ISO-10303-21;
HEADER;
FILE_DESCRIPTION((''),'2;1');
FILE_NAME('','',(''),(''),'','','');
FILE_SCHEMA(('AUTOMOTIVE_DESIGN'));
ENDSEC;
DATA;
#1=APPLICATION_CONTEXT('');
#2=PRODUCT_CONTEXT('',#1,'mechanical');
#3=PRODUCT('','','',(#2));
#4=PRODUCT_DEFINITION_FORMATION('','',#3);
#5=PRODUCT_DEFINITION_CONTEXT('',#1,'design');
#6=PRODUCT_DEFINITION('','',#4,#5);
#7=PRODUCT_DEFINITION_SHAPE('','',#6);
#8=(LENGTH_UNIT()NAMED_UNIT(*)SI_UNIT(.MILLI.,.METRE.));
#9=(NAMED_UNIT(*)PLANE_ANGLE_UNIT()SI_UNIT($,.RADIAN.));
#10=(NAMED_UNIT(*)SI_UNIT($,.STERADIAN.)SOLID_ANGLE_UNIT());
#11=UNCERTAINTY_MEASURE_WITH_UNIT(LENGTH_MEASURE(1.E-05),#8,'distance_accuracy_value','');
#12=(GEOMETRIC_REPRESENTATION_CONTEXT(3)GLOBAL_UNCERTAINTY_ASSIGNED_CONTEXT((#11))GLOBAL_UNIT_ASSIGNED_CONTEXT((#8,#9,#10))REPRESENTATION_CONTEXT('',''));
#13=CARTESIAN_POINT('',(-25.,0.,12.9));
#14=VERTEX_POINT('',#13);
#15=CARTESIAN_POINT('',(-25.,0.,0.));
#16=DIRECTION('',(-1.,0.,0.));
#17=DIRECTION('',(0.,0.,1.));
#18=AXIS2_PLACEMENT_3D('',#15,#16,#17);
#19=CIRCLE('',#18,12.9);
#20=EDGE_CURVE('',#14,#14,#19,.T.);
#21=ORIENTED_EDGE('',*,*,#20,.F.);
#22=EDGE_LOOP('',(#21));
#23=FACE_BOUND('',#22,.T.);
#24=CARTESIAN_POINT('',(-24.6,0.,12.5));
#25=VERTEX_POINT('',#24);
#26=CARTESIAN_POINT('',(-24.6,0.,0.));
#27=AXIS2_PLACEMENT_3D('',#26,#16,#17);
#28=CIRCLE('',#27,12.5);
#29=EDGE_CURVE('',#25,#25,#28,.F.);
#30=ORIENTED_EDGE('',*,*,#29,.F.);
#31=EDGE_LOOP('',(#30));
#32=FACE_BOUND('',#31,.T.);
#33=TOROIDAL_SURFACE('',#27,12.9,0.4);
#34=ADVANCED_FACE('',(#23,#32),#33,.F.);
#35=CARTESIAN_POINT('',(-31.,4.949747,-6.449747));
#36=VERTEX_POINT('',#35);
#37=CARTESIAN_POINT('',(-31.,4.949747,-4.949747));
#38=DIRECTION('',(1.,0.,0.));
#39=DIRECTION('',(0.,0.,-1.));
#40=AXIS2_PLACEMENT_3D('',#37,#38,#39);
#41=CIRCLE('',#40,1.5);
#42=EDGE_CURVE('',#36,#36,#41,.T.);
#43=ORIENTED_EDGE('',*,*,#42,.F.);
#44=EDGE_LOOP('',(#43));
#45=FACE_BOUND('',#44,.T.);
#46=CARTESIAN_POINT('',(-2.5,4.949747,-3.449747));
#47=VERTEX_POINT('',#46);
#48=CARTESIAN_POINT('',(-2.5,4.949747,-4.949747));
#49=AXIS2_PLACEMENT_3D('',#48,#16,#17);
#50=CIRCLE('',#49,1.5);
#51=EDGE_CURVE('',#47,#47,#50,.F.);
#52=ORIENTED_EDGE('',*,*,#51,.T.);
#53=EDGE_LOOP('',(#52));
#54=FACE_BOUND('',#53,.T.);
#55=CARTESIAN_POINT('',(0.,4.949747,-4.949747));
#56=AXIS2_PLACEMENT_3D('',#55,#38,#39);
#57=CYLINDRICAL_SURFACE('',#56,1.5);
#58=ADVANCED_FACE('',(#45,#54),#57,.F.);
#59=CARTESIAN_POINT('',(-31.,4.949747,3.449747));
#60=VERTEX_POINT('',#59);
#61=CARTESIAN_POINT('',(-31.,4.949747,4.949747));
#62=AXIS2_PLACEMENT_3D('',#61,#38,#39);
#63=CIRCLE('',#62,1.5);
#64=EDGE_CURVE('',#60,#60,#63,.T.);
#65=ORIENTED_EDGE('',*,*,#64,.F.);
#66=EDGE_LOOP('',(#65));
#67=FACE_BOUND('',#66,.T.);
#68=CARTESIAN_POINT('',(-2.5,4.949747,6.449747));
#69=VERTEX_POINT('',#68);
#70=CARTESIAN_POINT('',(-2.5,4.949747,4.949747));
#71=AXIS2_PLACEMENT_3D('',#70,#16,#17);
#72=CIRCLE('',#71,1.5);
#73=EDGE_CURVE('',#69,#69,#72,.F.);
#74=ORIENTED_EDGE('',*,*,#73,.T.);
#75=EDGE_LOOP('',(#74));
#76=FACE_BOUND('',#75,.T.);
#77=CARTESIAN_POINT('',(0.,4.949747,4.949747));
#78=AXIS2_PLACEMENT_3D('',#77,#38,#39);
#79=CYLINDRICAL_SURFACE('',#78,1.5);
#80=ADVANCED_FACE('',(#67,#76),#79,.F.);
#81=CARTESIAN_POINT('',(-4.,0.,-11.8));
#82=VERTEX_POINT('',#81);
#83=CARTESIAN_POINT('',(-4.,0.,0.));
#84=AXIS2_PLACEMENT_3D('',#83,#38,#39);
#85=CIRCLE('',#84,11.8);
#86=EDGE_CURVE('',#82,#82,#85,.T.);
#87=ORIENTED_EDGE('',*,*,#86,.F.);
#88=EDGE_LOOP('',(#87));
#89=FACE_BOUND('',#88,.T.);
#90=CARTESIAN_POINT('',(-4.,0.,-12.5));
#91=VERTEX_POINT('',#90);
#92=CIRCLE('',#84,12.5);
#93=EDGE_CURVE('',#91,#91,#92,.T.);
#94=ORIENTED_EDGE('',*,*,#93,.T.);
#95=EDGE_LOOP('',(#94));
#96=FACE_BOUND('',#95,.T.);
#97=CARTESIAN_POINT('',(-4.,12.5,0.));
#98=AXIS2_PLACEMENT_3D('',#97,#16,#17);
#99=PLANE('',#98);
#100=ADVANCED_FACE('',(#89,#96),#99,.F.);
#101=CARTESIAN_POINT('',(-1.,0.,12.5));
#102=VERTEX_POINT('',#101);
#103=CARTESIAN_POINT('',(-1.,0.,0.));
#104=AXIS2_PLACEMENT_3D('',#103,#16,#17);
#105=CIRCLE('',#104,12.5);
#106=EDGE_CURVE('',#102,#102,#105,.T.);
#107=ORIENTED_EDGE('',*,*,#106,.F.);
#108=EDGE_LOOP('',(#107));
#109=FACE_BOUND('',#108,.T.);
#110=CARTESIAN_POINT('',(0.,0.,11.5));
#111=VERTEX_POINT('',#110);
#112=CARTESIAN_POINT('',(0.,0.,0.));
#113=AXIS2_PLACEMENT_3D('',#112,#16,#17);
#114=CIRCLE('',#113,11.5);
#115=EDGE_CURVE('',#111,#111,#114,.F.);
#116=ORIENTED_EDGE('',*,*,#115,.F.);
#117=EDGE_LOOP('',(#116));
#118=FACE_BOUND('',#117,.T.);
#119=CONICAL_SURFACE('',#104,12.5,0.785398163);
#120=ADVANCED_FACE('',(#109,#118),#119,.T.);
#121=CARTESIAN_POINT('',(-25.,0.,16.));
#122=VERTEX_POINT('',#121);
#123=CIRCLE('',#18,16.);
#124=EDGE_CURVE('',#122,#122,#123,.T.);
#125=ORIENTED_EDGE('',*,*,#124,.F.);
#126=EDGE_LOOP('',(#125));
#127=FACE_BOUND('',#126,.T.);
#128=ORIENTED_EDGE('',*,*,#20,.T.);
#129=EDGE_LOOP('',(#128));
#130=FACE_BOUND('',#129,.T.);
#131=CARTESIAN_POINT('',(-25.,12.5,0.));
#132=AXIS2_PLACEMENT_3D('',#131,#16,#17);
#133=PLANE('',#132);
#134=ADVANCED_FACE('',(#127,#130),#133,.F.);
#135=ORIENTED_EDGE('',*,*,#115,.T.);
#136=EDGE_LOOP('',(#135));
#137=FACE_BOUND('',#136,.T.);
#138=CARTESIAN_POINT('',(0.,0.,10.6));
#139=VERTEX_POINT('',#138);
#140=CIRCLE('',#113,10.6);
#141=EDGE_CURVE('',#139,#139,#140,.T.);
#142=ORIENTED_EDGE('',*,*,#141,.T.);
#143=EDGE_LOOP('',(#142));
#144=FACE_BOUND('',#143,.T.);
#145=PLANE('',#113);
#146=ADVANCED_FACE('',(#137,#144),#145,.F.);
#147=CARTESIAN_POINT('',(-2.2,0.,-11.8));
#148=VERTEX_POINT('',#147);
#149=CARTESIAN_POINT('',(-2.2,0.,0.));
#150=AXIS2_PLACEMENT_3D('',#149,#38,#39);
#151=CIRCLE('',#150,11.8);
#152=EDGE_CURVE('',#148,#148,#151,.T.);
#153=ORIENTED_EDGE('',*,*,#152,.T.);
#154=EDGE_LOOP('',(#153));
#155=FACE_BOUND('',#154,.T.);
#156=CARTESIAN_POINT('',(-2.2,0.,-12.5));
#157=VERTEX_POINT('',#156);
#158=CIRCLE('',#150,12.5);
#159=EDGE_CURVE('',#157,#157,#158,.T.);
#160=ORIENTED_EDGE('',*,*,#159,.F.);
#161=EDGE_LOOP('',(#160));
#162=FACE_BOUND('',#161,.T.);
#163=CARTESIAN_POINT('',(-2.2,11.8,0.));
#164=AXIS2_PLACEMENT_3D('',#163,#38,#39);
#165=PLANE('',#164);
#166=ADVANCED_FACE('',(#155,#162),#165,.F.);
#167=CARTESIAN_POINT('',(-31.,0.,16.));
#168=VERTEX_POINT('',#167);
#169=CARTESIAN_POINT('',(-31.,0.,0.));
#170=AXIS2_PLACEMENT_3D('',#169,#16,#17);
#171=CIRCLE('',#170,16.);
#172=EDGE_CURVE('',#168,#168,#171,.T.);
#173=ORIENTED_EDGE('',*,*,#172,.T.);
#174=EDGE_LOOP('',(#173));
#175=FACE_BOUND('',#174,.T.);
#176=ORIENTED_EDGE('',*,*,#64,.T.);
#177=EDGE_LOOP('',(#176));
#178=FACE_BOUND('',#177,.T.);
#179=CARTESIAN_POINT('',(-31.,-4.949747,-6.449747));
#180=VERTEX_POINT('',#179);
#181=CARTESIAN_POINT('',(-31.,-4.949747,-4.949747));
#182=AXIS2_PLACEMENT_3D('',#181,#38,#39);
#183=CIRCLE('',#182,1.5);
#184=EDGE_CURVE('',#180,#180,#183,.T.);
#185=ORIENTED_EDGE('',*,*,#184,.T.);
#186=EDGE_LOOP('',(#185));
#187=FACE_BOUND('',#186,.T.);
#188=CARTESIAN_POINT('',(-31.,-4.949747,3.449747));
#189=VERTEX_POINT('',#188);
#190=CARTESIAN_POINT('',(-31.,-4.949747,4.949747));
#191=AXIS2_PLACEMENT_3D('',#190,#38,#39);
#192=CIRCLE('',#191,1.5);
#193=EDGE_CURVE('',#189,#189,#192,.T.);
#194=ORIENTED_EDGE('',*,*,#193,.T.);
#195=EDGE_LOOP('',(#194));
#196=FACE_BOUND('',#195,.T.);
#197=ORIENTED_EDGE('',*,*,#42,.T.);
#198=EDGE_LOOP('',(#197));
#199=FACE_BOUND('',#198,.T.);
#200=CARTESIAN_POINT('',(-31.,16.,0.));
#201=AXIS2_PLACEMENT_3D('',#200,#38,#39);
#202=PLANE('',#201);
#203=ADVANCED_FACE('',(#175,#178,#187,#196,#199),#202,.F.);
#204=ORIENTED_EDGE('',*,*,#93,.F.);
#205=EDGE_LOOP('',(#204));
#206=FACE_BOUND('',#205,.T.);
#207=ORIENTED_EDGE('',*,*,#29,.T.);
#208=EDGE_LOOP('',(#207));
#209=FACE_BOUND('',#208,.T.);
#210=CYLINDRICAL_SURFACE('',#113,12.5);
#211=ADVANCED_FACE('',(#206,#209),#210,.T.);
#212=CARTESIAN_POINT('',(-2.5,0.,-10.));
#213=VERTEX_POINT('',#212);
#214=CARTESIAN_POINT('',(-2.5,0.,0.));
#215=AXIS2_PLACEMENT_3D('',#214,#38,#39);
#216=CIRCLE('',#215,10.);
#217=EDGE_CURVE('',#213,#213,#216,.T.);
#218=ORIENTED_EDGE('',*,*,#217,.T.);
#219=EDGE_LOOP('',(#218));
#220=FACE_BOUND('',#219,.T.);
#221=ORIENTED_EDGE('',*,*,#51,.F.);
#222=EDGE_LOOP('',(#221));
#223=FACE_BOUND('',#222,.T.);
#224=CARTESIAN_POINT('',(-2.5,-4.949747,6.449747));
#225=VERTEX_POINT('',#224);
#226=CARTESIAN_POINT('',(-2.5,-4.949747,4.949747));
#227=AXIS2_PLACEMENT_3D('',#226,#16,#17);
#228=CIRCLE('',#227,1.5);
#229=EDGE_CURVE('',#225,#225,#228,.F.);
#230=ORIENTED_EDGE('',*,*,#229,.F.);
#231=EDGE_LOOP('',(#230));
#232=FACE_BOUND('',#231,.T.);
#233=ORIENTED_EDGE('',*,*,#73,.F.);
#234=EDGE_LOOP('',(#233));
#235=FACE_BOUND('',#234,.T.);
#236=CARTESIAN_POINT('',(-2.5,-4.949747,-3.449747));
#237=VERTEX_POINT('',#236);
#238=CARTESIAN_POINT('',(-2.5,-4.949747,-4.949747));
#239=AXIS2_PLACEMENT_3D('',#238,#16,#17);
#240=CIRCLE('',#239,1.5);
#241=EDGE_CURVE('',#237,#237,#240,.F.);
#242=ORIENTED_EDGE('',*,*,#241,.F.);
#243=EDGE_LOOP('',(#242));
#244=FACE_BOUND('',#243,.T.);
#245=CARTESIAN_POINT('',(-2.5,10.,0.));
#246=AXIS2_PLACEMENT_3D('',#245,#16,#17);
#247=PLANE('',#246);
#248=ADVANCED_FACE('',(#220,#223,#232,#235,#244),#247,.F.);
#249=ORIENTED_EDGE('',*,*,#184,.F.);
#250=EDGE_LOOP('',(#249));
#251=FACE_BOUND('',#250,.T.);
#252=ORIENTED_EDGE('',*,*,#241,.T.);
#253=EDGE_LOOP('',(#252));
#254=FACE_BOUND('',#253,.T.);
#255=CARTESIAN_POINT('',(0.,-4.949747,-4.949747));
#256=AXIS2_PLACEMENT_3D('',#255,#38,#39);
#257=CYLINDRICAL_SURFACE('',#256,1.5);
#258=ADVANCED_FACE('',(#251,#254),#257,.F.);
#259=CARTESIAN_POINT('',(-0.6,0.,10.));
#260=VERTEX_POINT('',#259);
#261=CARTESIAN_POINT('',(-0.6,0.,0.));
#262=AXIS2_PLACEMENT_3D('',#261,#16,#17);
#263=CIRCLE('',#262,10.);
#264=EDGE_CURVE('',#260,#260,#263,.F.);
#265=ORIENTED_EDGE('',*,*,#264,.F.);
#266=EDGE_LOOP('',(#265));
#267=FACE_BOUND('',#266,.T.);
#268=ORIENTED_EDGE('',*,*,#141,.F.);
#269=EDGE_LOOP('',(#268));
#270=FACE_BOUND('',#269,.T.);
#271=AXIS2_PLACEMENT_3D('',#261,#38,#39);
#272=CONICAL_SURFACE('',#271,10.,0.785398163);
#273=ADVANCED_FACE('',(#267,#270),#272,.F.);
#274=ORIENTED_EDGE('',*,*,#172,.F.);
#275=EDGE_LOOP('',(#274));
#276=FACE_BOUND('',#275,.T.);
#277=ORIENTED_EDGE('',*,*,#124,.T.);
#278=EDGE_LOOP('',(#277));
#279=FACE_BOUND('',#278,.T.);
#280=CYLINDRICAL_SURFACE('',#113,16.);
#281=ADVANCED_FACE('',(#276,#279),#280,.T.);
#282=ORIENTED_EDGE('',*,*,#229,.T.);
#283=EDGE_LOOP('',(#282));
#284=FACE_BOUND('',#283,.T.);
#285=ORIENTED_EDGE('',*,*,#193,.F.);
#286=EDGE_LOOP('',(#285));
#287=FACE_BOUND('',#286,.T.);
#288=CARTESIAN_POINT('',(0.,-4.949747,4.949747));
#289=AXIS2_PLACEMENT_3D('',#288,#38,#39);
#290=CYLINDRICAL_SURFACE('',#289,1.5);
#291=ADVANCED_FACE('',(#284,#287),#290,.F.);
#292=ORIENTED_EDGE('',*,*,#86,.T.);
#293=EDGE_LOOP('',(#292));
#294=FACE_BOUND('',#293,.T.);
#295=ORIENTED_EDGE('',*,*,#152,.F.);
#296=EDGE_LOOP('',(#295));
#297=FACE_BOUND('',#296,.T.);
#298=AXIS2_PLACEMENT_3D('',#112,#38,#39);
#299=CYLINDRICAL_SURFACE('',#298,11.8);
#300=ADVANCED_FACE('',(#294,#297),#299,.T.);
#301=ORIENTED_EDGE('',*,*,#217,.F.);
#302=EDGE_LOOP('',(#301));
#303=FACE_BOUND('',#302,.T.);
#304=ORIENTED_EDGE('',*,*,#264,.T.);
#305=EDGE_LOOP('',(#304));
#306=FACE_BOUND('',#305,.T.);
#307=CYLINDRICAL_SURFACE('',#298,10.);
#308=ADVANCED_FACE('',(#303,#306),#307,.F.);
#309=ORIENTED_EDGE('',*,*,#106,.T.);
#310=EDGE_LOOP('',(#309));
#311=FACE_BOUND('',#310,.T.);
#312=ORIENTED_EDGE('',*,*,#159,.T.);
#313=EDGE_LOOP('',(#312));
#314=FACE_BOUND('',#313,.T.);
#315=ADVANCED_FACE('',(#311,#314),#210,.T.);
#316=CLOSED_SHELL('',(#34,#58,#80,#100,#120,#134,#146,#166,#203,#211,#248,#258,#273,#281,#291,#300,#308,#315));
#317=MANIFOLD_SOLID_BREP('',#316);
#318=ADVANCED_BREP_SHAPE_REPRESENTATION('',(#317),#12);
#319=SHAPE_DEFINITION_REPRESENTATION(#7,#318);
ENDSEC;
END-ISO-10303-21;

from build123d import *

# Parameters (mm, degrees)
SKETCH_2_W               = 1.8
SKETCH_2_H               = 0.7
CHAMFER_1_SIZE           = 1
FILLET_1_R               = 0.4
HOLE_WIZARD_1_D          = 3
PATTERN_CIRCULAR_1_COUNT = 4
SKETCH_5_W               = 2.5
SKETCH_5_H               = 10
CHAMFER_2_SIZE           = 0.6


with BuildPart() as part:
    # Эскиз1 → Повернуть1 (revolve)
    with BuildSketch(Plane.XY, mode=Mode.PRIVATE) as revolve_1_sk:
        Polygon((0, 0), (0, 12.5), (-25, 12.5), (-25, 16), (-31, 16), (-31, 0), align=None)
    revolve(revolve_1_sk.sketch.rotate(Axis((0, 0, 0), (1, 0, 0)), 90), axis=Axis((0, 0, 0), (1, 0, 0)))

    # Эскиз2 → Вырез-Повернуть1 (revolve, cut)
    with BuildSketch(Plane.XY, mode=Mode.PRIVATE) as cut_revolve_1_sk:
        with Locations((-3.1, 12.15)):
            Rectangle(SKETCH_2_W, SKETCH_2_H)
    revolve(cut_revolve_1_sk.sketch.rotate(Axis((0, 0, 0), (-1, 0, 0)), 270), axis=Axis((0, 0, 0), (-1, 0, 0)), mode=Mode.SUBTRACT)

    # Фаска1
    chamfer_1_edges = [part.edges().sort_by_distance(p)[0] for p in [
        (0, 0, -12.5),
    ]]
    chamfer(chamfer_1_edges, length=CHAMFER_1_SIZE)

    # Скругление1
    fillet_1_edges = [part.edges().sort_by_distance(p)[0] for p in [
        (-25, 0, -12.5),
    ]]
    fillet(fillet_1_edges, radius=FILLET_1_R)

    # Отверстие1 (through all)
    with Locations(Plane(origin=(0, 0, 0), x_dir=(0, 0, -1), z_dir=(1, 0, 0))):
        with Locations((4.949747468, 4.949747468)):
            hole_wizard_1 = Hole(HOLE_WIZARD_1_D / 2)

    # Круговой массив1: Отверстие1 ×4 about axis
    pattern_circular_1_axis = Axis((0, 0, 0), (1, 0, 0))
    for i in range(1, PATTERN_CIRCULAR_1_COUNT):
        add(hole_wizard_1.rotate(pattern_circular_1_axis, i * 360 / PATTERN_CIRCULAR_1_COUNT), mode=Mode.SUBTRACT)

    # Эскиз5 → Вырез-Повернуть2 (revolve, cut)
    with BuildSketch(Plane.XY, mode=Mode.PRIVATE) as cut_revolve_2_sk:
        with Locations((-1.25, 5)):
            Rectangle(SKETCH_5_W, SKETCH_5_H)
    revolve(cut_revolve_2_sk.sketch.rotate(Axis((0, 0, 0), (-1, 0, 0)), 90), axis=Axis((0, 0, 0), (-1, 0, 0)), mode=Mode.SUBTRACT)

    # Фаска2
    chamfer_2_edges = [part.edges().sort_by_distance(p)[0] for p in [
        (0, 0, 10),
    ]]
    chamfer(chamfer_2_edges, length=CHAMFER_2_SIZE)


solid = part.part
